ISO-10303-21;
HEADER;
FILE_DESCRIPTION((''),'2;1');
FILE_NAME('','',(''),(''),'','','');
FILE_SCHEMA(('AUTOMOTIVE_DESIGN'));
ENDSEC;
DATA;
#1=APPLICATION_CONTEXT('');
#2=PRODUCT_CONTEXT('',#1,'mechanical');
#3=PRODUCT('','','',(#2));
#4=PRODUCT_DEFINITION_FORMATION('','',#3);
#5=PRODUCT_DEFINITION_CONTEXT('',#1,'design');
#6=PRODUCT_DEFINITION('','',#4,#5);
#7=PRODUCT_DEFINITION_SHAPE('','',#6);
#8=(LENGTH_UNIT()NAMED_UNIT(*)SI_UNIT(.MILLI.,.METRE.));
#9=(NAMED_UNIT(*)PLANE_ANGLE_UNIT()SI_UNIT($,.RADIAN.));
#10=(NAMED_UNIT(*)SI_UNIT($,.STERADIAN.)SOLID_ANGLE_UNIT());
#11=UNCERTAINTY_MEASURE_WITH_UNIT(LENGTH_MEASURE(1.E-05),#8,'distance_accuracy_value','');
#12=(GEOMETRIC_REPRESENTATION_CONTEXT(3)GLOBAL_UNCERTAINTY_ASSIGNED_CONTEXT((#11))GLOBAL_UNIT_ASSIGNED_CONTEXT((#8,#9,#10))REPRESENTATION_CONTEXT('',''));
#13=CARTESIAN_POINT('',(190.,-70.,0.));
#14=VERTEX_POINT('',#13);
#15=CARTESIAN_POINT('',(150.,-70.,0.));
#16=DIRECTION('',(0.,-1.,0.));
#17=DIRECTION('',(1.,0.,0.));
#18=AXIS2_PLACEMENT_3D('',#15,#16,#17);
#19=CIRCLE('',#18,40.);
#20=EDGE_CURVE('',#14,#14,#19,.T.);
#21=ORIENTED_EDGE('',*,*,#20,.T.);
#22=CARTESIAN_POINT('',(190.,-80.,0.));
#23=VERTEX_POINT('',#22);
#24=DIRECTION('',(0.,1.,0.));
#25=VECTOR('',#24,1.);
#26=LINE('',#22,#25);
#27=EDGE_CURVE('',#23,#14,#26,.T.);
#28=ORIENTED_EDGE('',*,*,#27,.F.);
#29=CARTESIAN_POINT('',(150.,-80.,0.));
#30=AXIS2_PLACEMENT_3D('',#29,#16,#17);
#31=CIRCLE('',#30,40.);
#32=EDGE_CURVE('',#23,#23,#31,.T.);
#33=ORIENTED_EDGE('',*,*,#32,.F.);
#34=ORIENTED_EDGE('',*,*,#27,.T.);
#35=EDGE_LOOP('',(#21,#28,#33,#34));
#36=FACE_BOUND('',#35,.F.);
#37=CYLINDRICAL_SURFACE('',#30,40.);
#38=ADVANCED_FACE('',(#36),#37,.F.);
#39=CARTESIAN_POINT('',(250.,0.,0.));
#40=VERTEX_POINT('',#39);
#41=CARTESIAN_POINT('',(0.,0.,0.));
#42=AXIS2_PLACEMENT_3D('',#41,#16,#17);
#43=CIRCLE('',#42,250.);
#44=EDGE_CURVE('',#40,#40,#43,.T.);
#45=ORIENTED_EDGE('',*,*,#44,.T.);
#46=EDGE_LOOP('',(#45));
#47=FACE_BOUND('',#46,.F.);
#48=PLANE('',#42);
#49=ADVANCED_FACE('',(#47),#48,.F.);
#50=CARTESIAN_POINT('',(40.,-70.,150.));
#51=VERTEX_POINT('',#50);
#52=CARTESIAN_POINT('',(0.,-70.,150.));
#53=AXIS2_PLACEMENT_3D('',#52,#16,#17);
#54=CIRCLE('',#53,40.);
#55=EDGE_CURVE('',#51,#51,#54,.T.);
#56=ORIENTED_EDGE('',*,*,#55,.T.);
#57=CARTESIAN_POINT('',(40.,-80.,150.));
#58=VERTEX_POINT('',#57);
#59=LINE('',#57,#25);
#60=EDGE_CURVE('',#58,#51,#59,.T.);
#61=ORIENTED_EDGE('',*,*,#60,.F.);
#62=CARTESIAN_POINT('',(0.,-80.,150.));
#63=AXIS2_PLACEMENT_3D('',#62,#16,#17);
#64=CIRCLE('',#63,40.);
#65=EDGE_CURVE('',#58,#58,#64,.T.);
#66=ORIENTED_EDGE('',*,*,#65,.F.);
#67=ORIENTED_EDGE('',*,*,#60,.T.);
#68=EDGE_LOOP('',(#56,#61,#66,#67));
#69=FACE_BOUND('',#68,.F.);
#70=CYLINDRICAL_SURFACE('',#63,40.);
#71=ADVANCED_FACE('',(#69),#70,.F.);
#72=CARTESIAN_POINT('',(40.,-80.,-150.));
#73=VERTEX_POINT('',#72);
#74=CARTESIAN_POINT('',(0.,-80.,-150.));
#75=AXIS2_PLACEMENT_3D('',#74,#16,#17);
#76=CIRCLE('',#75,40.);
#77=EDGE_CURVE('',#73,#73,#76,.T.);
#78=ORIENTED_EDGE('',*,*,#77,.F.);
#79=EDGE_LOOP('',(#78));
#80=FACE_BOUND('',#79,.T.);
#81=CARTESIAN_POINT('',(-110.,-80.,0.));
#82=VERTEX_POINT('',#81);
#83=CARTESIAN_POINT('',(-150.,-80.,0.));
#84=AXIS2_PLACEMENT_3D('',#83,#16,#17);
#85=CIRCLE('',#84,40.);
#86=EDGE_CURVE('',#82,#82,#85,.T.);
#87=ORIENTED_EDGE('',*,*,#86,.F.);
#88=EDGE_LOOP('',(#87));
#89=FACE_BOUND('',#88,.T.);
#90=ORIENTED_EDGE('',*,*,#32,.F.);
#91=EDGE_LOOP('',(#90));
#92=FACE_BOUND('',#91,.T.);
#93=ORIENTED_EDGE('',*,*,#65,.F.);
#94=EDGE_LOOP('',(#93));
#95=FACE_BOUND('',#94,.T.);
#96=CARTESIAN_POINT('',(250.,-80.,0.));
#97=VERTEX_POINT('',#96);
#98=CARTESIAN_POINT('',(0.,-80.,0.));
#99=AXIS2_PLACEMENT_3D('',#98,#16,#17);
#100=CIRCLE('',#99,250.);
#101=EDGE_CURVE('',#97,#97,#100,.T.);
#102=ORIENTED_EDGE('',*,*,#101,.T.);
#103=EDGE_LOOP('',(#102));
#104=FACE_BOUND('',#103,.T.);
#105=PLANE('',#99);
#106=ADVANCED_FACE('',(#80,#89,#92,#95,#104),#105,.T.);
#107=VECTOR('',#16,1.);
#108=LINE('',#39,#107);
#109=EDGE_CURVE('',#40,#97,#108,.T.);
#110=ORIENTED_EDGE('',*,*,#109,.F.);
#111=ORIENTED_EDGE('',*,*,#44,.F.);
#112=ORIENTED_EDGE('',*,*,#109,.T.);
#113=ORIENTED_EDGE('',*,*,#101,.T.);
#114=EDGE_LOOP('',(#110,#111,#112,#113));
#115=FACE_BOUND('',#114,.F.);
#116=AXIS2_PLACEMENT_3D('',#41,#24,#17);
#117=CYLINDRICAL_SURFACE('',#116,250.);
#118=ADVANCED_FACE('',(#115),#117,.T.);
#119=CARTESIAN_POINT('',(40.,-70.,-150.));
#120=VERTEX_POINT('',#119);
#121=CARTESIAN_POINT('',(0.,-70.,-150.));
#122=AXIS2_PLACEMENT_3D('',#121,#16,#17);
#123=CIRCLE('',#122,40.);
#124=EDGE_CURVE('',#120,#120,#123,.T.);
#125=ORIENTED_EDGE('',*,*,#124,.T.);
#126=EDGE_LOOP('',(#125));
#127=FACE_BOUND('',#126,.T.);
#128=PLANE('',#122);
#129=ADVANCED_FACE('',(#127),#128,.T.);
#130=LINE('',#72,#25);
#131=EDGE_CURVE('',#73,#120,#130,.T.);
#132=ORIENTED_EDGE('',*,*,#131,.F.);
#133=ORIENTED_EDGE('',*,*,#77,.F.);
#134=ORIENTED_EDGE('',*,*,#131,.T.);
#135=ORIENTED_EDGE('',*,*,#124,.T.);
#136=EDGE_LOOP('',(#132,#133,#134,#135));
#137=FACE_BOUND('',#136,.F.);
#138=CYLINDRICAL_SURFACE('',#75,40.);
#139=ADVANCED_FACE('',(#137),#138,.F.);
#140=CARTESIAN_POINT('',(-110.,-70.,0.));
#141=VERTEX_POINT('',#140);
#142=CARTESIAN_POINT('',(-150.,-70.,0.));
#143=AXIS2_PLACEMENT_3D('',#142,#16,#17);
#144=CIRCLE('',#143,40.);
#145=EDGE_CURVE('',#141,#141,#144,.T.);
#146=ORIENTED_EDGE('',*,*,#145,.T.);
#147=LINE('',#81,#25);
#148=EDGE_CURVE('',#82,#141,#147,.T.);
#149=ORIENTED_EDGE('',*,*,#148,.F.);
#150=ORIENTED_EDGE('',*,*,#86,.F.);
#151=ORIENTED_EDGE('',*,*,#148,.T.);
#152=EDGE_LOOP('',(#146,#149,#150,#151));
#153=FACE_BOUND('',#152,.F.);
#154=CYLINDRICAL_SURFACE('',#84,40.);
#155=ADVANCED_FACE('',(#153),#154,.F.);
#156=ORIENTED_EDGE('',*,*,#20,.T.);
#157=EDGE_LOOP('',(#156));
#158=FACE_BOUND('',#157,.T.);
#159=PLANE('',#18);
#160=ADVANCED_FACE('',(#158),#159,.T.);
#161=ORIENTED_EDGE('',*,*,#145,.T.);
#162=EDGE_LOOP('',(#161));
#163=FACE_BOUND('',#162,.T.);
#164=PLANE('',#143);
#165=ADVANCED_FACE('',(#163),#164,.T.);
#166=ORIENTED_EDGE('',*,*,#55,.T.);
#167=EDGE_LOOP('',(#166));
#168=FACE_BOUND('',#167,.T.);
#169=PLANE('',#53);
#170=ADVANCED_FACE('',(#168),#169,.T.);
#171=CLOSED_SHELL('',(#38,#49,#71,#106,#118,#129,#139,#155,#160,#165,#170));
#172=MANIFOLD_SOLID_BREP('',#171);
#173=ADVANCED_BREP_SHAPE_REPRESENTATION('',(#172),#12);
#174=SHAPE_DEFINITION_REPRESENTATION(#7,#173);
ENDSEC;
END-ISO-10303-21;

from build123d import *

# Parameters (mm, degrees)
F0_R     = 250
F1_DEPTH = 80
F2_R     = 40
F3_DEPTH = 10


with BuildPart() as f1:
    # F0 (on Front) → F1 (new body)
    with BuildSketch(Plane.XZ):
        Circle(F0_R)
    extrude(amount=F1_DEPTH)

    # F2 (on face) → F3 (cut)
    with BuildSketch(Plane.XZ.offset(80)):
        with Locations((0, 150)):
            Circle(F2_R)
        with Locations((-150, 0)):
            Circle(F2_R)
        with Locations((0, -150)):
            Circle(F2_R)
        with Locations((150, 0)):
            Circle(F2_R)
    extrude(amount=-F3_DEPTH, mode=Mode.SUBTRACT)


solid = f1.part
